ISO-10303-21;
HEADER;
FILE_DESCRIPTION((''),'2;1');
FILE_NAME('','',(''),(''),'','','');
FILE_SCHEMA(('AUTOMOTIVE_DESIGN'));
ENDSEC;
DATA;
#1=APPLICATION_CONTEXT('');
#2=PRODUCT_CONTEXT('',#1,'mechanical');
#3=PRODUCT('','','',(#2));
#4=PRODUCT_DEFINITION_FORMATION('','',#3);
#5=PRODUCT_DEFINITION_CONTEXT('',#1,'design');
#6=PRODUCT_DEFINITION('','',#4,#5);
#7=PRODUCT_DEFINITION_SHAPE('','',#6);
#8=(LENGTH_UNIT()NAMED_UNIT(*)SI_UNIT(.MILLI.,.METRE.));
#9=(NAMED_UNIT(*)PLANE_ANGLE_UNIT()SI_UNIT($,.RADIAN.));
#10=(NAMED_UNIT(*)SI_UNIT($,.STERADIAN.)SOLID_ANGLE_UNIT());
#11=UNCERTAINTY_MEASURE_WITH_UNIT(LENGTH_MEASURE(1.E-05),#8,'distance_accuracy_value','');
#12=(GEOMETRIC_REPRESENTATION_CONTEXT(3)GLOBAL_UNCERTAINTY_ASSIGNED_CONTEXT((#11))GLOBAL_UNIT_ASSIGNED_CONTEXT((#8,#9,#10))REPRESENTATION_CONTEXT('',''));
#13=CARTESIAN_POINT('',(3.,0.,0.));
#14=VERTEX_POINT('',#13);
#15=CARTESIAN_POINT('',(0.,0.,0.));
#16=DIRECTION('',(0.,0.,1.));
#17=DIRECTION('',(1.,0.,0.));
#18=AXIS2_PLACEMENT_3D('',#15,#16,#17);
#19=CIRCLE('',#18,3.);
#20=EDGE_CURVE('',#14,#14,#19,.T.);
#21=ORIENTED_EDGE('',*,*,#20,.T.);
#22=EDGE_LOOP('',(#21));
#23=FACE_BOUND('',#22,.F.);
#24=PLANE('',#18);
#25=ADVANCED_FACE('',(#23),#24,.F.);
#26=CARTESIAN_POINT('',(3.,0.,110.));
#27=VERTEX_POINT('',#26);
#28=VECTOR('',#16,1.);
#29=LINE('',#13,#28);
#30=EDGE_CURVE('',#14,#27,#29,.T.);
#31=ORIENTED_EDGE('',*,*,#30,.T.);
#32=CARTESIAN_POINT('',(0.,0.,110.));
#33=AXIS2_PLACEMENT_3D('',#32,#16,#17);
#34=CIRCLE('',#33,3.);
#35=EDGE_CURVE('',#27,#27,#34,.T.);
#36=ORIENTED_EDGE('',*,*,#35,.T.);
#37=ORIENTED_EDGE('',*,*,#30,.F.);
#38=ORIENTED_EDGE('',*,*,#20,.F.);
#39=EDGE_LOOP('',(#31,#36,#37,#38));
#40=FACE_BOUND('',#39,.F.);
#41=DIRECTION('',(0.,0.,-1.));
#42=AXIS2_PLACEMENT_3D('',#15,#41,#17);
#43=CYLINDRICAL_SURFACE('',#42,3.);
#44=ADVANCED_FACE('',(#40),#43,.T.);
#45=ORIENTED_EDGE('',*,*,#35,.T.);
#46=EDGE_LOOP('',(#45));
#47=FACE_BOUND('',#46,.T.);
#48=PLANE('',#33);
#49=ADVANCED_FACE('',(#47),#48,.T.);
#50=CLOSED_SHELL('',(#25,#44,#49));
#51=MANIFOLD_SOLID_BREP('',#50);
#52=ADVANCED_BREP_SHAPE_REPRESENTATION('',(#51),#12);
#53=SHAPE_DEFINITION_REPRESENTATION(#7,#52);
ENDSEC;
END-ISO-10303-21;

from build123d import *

# Parameters (mm, degrees)
SKETCH_1_R      = 3
EXTRUDE_1_DEPTH = 110


with BuildPart() as part:
    # ｽｹｯﾁ1 → ﾎﾞｽ - 押し出し1 (new body)
    with BuildSketch(Plane.XY):
        Circle(SKETCH_1_R)
    extrude(amount=EXTRUDE_1_DEPTH)


solid = part.part
